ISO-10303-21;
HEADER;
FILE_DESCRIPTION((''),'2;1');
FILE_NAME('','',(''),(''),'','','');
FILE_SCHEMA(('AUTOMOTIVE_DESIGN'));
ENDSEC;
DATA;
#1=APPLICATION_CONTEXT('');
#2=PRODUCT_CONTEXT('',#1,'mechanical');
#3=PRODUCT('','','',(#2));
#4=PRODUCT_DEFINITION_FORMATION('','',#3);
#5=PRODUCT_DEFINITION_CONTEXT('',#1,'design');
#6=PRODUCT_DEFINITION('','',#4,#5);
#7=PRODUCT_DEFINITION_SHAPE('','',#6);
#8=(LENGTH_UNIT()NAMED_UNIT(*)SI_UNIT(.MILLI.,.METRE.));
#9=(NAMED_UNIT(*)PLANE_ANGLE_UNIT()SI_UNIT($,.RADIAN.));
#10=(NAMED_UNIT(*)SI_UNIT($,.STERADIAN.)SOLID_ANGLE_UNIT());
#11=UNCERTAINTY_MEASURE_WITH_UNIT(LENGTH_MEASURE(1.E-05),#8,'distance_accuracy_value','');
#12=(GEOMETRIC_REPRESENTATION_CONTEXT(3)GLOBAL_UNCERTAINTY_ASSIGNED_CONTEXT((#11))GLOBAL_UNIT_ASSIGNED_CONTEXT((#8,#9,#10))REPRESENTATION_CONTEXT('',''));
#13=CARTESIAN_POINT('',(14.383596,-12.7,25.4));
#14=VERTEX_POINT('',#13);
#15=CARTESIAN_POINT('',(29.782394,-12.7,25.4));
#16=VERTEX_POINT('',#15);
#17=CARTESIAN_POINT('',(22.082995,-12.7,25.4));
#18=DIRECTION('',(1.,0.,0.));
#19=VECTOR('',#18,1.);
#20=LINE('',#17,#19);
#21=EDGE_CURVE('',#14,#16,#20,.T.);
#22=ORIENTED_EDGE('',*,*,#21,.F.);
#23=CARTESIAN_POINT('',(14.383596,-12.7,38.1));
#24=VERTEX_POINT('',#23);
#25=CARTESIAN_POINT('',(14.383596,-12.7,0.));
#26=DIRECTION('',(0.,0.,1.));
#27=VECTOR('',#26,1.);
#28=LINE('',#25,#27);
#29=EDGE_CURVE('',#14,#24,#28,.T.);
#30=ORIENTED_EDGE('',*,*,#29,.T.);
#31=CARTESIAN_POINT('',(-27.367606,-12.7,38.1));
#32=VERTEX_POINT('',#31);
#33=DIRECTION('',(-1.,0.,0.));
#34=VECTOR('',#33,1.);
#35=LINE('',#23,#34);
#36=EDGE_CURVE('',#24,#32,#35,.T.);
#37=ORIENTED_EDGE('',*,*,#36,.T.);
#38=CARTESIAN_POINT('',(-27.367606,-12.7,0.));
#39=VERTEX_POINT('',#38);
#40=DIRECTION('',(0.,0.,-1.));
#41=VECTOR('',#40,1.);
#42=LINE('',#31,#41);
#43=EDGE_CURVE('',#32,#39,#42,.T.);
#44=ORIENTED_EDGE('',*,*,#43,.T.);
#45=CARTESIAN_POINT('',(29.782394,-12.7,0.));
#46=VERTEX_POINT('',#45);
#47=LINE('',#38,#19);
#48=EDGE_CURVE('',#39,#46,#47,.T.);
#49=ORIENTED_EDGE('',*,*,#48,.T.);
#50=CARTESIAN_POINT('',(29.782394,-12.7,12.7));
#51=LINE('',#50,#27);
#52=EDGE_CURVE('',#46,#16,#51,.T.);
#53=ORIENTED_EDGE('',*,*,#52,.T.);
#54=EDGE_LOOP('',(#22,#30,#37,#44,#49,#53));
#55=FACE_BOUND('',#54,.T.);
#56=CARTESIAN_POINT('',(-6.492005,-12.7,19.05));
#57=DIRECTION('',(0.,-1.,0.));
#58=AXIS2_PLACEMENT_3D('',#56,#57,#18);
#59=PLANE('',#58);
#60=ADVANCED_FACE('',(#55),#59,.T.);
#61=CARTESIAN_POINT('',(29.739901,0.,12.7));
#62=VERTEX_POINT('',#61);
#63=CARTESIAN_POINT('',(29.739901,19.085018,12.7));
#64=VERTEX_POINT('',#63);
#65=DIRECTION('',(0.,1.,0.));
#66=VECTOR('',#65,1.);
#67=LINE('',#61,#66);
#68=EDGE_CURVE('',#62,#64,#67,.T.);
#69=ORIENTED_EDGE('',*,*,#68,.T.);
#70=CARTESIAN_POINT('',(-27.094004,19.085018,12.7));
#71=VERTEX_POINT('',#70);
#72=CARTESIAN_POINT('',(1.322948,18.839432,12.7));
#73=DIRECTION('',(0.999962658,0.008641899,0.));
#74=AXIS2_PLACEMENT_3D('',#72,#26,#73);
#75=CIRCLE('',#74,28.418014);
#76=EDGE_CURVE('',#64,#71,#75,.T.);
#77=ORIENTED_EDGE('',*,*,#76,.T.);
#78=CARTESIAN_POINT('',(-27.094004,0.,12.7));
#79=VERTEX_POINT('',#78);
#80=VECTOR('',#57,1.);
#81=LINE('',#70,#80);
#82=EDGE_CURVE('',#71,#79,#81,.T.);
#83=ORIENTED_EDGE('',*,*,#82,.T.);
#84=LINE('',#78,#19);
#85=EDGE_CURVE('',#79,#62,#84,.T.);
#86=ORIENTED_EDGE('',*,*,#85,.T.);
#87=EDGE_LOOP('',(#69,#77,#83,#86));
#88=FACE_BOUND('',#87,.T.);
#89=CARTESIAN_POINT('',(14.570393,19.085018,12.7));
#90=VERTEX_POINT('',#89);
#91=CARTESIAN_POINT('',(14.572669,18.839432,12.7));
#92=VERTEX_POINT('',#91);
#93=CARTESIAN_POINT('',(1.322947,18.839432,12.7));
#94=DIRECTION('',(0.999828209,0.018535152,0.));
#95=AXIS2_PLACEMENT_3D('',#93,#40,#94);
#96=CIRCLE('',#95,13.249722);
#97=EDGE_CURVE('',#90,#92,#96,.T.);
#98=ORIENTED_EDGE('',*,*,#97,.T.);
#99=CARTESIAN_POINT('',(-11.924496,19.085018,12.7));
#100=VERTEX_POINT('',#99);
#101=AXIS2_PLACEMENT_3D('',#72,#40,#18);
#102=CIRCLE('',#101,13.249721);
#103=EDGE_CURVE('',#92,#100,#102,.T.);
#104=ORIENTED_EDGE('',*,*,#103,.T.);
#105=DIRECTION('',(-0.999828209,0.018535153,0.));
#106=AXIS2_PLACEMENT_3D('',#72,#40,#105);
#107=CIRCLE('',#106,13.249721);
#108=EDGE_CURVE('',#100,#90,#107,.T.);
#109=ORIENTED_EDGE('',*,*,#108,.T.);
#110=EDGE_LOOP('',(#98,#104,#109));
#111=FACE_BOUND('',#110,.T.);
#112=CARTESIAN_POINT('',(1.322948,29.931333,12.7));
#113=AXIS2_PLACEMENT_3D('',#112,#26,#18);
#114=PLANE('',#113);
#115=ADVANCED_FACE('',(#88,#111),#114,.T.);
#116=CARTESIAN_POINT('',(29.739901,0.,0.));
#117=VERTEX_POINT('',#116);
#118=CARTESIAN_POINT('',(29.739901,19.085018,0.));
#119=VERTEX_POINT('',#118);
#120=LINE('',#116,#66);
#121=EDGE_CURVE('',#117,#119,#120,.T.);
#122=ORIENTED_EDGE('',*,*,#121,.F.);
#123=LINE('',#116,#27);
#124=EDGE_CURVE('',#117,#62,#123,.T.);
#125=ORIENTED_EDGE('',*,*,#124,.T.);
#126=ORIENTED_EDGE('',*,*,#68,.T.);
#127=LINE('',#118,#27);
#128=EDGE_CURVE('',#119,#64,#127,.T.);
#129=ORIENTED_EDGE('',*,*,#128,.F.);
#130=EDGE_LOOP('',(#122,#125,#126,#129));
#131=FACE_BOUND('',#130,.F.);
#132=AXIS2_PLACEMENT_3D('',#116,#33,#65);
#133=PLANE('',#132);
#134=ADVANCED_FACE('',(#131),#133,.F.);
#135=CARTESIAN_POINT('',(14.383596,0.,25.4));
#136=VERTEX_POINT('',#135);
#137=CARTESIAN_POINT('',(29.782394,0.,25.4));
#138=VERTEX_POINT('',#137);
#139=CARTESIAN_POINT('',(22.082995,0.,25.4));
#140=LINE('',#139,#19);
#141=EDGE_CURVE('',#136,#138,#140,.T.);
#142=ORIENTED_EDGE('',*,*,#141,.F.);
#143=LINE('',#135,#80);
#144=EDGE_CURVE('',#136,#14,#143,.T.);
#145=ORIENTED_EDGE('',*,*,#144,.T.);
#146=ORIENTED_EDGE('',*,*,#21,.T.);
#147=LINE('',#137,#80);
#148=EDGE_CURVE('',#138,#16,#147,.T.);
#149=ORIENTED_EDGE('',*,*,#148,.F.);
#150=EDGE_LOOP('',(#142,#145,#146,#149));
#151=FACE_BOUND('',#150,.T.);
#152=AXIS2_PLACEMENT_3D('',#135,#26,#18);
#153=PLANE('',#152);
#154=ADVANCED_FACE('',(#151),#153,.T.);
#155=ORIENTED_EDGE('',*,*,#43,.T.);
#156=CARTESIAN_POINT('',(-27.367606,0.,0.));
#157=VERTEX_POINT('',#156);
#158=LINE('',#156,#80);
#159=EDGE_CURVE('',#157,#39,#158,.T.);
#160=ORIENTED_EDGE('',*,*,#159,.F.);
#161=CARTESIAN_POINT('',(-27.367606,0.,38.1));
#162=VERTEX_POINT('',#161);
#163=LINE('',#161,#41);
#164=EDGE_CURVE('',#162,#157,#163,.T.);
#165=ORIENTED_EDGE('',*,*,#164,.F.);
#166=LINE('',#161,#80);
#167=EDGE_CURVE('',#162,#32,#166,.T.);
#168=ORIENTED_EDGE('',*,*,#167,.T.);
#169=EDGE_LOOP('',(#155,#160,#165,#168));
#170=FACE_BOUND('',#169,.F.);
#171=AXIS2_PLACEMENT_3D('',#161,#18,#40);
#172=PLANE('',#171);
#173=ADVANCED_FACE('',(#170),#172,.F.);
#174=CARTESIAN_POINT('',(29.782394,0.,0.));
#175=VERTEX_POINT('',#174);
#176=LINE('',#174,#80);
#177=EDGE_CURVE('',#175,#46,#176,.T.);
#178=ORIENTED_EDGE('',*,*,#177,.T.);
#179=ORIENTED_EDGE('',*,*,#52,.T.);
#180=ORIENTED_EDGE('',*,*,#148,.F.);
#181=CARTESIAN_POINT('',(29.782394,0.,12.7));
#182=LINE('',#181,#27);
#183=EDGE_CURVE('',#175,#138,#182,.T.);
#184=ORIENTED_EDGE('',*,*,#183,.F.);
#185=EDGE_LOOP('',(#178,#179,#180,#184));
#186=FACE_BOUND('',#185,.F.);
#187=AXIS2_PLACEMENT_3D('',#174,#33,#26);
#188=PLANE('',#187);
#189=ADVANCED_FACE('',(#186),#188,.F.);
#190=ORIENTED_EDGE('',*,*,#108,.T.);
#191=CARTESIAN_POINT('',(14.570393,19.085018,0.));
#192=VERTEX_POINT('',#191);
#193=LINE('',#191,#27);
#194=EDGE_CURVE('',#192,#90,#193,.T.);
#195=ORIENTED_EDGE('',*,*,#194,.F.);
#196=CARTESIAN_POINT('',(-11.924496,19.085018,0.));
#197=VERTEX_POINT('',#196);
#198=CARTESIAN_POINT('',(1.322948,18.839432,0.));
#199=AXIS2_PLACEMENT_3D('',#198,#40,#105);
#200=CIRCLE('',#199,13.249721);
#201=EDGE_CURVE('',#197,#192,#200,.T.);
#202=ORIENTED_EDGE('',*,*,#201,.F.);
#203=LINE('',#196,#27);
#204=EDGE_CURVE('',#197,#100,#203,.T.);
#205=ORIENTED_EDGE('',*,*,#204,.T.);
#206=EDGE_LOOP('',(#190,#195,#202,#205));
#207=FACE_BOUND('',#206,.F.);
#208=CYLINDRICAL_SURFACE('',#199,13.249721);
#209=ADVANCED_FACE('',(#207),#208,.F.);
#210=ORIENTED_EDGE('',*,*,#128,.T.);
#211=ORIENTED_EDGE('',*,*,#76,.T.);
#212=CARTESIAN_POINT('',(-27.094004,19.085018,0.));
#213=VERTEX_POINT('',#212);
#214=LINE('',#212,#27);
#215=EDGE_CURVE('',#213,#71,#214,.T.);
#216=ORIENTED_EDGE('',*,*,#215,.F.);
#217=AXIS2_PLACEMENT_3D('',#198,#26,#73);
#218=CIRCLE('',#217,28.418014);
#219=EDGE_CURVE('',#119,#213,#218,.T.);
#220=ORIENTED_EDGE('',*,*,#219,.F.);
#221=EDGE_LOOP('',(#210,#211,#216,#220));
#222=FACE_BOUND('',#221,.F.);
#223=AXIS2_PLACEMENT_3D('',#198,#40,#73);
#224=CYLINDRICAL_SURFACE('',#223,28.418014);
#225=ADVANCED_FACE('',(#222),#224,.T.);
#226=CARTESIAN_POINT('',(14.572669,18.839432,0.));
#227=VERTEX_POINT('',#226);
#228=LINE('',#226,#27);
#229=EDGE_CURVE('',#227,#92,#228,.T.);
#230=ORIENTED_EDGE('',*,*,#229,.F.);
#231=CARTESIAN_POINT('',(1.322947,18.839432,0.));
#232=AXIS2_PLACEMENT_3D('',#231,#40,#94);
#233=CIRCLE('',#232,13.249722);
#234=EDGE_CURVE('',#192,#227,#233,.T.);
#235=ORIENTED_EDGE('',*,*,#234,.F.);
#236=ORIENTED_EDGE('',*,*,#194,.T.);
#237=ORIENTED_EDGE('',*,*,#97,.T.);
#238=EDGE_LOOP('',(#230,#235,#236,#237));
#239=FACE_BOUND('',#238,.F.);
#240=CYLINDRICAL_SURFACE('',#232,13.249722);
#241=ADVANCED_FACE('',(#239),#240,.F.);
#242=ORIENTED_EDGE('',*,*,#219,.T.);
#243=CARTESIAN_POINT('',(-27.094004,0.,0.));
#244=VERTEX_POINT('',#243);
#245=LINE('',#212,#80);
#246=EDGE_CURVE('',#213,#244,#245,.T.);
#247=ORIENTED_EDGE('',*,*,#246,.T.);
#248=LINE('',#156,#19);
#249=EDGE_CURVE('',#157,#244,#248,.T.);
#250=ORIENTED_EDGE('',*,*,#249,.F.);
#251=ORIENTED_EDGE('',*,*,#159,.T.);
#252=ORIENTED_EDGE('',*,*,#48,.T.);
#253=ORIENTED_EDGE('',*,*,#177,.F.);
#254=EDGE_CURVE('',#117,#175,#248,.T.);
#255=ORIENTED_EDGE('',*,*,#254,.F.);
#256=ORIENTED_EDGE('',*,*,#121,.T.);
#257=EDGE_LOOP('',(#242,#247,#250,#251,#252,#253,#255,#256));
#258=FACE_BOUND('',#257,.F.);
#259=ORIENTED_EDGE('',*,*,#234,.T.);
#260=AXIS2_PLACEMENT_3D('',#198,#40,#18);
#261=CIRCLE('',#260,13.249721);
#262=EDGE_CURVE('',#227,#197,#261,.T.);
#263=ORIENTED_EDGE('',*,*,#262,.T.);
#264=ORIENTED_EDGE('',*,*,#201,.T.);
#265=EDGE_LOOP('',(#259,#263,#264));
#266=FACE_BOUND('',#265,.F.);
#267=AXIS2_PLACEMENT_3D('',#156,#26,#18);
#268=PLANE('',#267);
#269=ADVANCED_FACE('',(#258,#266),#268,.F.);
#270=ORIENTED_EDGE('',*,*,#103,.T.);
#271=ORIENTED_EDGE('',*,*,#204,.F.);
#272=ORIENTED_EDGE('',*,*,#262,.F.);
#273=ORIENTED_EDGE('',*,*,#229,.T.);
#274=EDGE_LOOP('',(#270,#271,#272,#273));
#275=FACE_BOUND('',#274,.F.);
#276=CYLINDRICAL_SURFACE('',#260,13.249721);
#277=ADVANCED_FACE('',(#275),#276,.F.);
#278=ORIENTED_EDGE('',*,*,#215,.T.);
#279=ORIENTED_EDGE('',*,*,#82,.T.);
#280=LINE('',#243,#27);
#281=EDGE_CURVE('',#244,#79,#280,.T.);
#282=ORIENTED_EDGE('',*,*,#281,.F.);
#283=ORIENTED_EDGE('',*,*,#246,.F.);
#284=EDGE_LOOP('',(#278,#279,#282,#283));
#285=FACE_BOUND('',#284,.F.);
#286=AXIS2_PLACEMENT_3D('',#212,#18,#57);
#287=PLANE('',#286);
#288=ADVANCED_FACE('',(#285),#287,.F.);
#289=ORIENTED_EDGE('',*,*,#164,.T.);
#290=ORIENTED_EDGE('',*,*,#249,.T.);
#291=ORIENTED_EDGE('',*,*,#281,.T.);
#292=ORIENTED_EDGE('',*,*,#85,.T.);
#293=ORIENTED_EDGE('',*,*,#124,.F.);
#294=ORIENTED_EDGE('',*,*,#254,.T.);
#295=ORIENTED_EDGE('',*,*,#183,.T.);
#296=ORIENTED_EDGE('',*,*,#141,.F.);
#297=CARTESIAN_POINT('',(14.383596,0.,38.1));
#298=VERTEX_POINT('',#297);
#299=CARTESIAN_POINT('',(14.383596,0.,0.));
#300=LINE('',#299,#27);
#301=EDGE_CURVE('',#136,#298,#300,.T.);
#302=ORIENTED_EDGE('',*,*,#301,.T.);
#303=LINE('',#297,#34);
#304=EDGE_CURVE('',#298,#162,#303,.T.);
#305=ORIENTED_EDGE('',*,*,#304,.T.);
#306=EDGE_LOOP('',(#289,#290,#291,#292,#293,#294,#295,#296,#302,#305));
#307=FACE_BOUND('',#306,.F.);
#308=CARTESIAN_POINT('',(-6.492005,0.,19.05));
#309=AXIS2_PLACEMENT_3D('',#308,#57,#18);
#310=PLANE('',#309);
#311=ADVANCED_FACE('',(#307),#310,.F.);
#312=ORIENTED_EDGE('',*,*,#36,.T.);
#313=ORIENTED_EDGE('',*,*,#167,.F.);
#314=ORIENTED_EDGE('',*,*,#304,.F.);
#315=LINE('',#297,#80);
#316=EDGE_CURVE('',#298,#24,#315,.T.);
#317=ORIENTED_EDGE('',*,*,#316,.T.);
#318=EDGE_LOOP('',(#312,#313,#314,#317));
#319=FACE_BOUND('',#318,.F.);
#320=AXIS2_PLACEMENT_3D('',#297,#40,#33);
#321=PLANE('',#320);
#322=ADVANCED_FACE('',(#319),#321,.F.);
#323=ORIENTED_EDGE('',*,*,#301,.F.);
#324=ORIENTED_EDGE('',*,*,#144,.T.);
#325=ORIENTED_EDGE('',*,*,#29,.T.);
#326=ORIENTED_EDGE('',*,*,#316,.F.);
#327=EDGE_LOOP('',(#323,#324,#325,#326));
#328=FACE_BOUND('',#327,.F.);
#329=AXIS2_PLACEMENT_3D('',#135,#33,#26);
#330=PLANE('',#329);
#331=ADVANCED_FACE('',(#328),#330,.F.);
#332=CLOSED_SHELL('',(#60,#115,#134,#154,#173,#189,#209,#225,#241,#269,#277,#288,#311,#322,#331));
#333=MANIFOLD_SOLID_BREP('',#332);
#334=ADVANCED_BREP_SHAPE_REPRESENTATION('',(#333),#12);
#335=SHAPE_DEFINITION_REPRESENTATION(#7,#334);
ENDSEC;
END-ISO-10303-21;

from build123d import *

# Parameters (mm, degrees)
F0_W     = 15.3987973437
F0_H     = 25.4
F1_DEPTH = 12.7
F3_DEPTH = 12.7


with BuildPart() as f1:
    # F0 (on Front) → F1 (new body)
    with BuildSketch(Plane.XZ):
        Polygon((-27.3676061763, 38.1), (-27.3676061763, 0), (14.38359648, 0), (14.38359648, 25.4), (14.38359648, 38.1), align=None)
        with Locations((22.0829951519, 12.7)):
            Rectangle(F0_W, F0_H)
    extrude(amount=F1_DEPTH)

    # F2 (on Top) → F3 (join)
    with BuildSketch(Plane.XY):
        with BuildLine():
            ThreePointArc((29.7399014235, 19.0850179642), (1.3229484896, 47.2574464843), (-27.0940044443, 19.0850179642))
            Line((-27.0940044443, 19.0850179642), (-11.9244960211, 19.0850179642))
            ThreePointArc((-11.9244960211, 19.0850179642), (1.3229484896, 32.0891530572), (14.5703930003, 19.0850179642))
            Line((14.5703930003, 19.0850179642), (29.7399014235, 19.0850179642))
        make_face()
        with BuildLine():
            ThreePointArc((-27.0940044443, 18.5938467712), (-25.2058095454, 8.6507855756), (-19.9528432558, 0))
            Line((-19.9528432558, 0), (22.598740235, 0))
            ThreePointArc((22.598740235, 0), (27.8517065245, 8.6507855756), (29.7399014235, 18.5938467712))
            Line((29.7399014235, 18.5938467712), (29.7399014235, 19.0850179642))
            Line((29.7399014235, 19.0850179642), (14.5703930003, 19.0850179642))
            ThreePointArc((14.5703930003, 19.0850179642), (14.5721001221, 18.96223044), (14.5726691791, 18.8394323677))
            ThreePointArc((14.5726691791, 18.8394323677), (1.2001504173, 5.5902807351), (-11.9244960211, 19.0850179642))
            Line((-11.9244960211, 19.0850179642), (-27.0940044443, 19.0850179642))
            Line((-27.0940044443, 19.0850179642), (-27.0940044443, 18.5938467712))
        make_face()
        with BuildLine():
            ThreePointArc((29.7399014235, 18.5938467712), (27.8517065245, 8.6507855756), (22.598740235, 0))
            Line((22.598740235, 0), (29.7399014235, 0))
            Line((29.7399014235, 0), (29.7399014235, 18.5938467712))
        make_face()
        with BuildLine():
            Line((-27.0940044443, 18.5938467712), (-27.0940044443, 0))
            Line((-27.0940044443, 0), (-19.9528432558, 0))
            ThreePointArc((-19.9528432558, 0), (-25.2058095454, 8.6507855756), (-27.0940044443, 18.5938467712))
        make_face()
    extrude(amount=F3_DEPTH)


solid = f1.part
